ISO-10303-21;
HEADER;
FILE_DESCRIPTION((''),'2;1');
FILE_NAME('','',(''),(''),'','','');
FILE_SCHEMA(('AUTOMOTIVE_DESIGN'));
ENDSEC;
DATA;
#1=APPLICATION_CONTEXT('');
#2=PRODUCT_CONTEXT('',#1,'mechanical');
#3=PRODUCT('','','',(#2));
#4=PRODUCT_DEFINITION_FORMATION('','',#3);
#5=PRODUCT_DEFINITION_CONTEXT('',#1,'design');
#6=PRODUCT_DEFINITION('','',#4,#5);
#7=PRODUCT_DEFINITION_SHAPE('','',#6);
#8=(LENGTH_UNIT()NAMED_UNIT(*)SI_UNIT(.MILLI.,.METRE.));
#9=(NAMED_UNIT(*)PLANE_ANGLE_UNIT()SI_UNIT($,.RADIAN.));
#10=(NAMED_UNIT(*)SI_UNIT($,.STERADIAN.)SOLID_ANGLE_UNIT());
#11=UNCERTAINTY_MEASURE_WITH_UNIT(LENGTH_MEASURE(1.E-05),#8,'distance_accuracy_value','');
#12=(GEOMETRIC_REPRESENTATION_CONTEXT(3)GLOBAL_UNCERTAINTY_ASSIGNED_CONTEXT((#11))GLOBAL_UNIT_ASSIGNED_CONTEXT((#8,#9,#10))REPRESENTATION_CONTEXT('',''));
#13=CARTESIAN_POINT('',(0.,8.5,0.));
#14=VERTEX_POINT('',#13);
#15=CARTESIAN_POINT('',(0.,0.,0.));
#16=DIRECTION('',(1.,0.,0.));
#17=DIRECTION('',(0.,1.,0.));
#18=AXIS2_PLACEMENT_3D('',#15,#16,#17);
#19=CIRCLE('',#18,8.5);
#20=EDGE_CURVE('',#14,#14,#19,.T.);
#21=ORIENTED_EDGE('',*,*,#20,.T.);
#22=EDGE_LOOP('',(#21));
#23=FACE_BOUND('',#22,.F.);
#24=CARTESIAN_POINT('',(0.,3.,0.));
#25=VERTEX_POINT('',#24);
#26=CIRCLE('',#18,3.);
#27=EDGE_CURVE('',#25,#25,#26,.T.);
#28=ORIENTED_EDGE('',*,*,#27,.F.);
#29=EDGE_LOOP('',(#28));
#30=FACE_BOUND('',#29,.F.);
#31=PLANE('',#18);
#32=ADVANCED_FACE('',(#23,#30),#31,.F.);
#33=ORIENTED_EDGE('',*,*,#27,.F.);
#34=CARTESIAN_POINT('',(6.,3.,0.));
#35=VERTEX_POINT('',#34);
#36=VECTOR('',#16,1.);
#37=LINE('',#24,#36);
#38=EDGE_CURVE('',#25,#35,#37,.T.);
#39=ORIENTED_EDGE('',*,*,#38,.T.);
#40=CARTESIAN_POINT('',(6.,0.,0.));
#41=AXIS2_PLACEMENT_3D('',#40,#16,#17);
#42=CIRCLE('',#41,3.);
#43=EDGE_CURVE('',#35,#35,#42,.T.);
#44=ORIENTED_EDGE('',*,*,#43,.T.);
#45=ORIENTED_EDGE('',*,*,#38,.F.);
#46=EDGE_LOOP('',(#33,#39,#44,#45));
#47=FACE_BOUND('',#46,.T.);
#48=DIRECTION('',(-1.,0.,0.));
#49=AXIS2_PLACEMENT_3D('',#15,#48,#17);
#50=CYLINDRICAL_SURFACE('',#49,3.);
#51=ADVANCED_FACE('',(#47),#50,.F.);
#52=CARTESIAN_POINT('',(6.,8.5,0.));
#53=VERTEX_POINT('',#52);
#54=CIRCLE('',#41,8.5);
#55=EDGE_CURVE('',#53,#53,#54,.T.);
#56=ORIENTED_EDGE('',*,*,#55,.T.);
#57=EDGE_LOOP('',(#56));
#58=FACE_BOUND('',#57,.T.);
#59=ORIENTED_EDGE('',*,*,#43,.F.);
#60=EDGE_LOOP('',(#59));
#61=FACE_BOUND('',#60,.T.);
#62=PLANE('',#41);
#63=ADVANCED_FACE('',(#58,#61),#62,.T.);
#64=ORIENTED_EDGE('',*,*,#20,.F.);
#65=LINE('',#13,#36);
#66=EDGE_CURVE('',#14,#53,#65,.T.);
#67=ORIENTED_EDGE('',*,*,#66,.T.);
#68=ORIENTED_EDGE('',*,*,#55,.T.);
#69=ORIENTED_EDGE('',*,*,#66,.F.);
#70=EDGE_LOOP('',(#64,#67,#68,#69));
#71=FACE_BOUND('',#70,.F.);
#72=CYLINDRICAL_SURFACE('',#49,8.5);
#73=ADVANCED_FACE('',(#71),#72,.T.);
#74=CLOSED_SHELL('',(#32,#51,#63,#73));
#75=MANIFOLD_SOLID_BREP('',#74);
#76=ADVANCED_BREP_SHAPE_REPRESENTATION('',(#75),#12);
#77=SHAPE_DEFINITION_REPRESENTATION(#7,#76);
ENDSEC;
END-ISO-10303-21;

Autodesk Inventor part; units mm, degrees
ref_plane "YZ Plane" through (0, 0, 0) normal (1, 0, 0) x (0, 1, 0)
ref_plane "XZ Plane" through (0, 0, 0) normal (0, 1, 0) x (-1, 0, 0)
ref_plane "XY Plane" through (0, 0, 0) normal (0, 0, 1) x (1, 0, 0)
sketch "Sketch1" plane through (0, 0, 0) normal (1, 0, 0) x (0, 1, 0)
  circle A0 centre (0, 0) radius 8.5
  circle A1 centre (0, 0) radius 3
  dimension "d0" = 17
  dimension "d1" = 6
extrude "Extrusion1" add sketch "Sketch1" along normal blind 6
properties part number "Bearing"
